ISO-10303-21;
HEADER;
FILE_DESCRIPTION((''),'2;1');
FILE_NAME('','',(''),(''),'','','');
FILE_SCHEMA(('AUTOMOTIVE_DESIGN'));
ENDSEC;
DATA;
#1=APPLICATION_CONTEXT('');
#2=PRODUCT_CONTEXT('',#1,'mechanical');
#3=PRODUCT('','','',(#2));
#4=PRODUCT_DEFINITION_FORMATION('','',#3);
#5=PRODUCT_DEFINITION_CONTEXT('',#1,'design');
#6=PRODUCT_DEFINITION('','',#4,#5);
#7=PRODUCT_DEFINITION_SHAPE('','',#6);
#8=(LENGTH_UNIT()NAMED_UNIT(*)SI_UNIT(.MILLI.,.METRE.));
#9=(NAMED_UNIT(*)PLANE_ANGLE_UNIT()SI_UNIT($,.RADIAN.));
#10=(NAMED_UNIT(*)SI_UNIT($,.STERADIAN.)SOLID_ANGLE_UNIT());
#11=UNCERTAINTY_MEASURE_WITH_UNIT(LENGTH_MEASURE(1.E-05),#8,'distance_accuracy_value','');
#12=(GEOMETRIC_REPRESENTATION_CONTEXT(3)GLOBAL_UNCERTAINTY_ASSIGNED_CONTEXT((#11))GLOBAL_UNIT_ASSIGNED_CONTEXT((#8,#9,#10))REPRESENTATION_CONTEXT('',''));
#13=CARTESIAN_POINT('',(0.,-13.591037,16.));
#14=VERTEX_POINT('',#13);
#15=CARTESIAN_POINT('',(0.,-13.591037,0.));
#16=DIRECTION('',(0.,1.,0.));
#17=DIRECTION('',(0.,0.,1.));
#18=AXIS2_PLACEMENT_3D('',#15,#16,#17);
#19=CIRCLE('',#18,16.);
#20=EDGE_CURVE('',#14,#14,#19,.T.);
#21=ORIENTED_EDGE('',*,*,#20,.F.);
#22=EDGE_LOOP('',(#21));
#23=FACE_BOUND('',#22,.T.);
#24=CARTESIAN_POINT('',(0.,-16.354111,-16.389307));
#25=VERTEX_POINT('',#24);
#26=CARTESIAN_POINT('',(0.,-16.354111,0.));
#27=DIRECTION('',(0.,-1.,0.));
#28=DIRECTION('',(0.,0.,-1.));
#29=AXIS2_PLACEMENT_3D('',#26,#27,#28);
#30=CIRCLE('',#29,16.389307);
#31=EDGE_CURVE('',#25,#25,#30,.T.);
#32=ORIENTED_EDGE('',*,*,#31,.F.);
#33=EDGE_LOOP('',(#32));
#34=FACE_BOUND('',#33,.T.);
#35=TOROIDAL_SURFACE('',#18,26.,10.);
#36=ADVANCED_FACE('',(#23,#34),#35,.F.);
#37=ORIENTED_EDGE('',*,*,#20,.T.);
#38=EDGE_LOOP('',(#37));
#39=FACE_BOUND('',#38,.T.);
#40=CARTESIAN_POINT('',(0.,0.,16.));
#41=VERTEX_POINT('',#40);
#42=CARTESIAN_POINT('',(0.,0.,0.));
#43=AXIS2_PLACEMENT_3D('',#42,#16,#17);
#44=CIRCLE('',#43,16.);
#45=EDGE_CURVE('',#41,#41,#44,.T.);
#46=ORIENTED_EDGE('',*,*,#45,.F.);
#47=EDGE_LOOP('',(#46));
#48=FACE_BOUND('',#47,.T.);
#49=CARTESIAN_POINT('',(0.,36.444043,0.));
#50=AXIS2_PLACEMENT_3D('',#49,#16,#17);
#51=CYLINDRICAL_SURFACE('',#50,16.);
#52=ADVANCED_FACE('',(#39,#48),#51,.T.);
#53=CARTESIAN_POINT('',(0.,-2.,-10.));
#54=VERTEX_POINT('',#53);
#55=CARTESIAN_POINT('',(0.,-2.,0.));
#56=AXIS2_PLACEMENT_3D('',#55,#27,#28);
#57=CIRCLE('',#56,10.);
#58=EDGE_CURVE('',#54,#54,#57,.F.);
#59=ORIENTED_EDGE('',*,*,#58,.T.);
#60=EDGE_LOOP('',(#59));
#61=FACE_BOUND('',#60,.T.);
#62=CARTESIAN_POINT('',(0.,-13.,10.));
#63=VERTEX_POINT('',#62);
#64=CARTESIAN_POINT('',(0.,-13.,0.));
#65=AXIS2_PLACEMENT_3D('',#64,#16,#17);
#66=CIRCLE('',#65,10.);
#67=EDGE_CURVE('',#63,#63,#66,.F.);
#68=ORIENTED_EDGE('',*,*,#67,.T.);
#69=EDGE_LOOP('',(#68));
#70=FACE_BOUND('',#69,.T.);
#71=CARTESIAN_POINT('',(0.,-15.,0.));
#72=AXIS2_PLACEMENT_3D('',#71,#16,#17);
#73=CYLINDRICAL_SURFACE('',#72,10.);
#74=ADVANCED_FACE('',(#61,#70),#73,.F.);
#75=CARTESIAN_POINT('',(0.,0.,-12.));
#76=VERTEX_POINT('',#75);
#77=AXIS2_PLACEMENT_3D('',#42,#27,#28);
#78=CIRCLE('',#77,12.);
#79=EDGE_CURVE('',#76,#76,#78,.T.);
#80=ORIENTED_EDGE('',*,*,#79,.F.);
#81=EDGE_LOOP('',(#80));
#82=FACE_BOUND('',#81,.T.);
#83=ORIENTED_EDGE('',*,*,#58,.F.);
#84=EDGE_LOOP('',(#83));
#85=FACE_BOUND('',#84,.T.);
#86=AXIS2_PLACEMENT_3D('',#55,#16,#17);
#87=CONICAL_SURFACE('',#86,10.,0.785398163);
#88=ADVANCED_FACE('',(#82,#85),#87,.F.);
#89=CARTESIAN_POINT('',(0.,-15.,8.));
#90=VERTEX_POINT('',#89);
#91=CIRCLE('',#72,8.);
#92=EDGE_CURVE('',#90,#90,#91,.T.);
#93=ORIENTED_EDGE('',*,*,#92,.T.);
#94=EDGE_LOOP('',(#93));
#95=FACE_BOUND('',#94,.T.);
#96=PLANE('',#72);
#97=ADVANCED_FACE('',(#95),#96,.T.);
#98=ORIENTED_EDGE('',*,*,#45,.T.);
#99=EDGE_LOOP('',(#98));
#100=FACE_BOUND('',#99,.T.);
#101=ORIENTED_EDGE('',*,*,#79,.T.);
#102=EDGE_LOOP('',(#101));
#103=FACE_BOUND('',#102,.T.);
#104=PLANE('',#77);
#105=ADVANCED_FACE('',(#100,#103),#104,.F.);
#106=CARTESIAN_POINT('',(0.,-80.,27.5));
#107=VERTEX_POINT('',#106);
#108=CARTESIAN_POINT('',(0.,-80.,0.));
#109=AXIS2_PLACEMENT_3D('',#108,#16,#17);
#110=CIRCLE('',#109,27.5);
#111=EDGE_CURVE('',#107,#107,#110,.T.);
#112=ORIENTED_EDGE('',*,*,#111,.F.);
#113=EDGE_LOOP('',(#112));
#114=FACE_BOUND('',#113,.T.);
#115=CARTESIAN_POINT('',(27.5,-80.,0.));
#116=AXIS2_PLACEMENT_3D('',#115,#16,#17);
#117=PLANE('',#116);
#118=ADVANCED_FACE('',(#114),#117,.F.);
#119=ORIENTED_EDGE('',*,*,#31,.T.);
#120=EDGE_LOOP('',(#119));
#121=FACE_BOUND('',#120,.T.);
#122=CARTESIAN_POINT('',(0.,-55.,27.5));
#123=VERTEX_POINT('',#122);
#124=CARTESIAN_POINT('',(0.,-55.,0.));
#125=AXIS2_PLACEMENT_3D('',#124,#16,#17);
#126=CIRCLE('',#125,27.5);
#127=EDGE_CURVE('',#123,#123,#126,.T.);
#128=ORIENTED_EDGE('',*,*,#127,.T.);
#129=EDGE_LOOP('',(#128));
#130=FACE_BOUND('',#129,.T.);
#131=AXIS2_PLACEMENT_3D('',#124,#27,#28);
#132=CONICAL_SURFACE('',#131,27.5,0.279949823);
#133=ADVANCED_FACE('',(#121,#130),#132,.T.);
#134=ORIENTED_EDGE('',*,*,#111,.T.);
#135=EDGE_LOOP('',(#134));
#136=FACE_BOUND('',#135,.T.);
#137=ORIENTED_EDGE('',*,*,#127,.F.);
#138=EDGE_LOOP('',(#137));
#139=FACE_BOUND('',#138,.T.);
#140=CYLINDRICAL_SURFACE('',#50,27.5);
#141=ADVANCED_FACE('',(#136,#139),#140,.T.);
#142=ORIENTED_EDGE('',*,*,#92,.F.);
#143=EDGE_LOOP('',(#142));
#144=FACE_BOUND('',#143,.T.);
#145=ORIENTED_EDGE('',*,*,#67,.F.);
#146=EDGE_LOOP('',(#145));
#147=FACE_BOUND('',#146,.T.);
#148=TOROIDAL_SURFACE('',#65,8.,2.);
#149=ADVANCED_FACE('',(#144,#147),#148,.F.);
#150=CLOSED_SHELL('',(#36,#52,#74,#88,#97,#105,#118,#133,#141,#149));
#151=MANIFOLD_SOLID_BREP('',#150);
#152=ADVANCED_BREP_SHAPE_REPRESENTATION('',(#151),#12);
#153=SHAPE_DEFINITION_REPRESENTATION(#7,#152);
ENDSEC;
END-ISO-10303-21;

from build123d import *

# Parameters (mm, degrees)
SKETCH_2_R          = 10
CUT_EXTRUDE_1_DEPTH = 15
CHAMFER_1_SIZE      = 2
FILLET_1_R          = 2
FILLET_2_R          = 10


with BuildPart() as part:
    # 草图1 → 旋转1 (revolve)
    with BuildSketch(Plane.XY, mode=Mode.PRIVATE) as revolve_1_sk:
        Polygon((0, 0), (16, 0), (16, -15), (27.5, -55), (27.5, -80), (0, -80), align=None)
    revolve(revolve_1_sk.sketch.rotate(Axis((0, 36.444043321, 0), (0, -1, 0)), 90), axis=Axis((0, 36.444043321, 0), (0, -1, 0)))

    # 草图2 → 切除-拉伸1 (cut)
    with BuildSketch(Plane(origin=(0, 0, 0), x_dir=(1, 0, 0), z_dir=(0, 1, 0))):
        with Locations(Location((0, 0, 0), (0, 0, 270))):
            Circle(SKETCH_2_R)
    extrude(amount=-CUT_EXTRUDE_1_DEPTH, mode=Mode.SUBTRACT)

    # 倒角1
    chamfer_1_edges = [part.edges().sort_by_distance(p)[0] for p in [
        (0, 0, -10),
    ]]
    chamfer(chamfer_1_edges, length=CHAMFER_1_SIZE)

    # 圆角1
    fillet_1_edges = [part.edges().sort_by_distance(p)[0] for p in [
        (0, -15, -10),
    ]]
    fillet(fillet_1_edges, radius=FILLET_1_R)

    # 圆角2
    fillet_2_edges = [part.edges().sort_by_distance(p)[0] for p in [
        (0, -15, -16),
    ]]
    fillet(fillet_2_edges, radius=FILLET_2_R)


solid = part.part
